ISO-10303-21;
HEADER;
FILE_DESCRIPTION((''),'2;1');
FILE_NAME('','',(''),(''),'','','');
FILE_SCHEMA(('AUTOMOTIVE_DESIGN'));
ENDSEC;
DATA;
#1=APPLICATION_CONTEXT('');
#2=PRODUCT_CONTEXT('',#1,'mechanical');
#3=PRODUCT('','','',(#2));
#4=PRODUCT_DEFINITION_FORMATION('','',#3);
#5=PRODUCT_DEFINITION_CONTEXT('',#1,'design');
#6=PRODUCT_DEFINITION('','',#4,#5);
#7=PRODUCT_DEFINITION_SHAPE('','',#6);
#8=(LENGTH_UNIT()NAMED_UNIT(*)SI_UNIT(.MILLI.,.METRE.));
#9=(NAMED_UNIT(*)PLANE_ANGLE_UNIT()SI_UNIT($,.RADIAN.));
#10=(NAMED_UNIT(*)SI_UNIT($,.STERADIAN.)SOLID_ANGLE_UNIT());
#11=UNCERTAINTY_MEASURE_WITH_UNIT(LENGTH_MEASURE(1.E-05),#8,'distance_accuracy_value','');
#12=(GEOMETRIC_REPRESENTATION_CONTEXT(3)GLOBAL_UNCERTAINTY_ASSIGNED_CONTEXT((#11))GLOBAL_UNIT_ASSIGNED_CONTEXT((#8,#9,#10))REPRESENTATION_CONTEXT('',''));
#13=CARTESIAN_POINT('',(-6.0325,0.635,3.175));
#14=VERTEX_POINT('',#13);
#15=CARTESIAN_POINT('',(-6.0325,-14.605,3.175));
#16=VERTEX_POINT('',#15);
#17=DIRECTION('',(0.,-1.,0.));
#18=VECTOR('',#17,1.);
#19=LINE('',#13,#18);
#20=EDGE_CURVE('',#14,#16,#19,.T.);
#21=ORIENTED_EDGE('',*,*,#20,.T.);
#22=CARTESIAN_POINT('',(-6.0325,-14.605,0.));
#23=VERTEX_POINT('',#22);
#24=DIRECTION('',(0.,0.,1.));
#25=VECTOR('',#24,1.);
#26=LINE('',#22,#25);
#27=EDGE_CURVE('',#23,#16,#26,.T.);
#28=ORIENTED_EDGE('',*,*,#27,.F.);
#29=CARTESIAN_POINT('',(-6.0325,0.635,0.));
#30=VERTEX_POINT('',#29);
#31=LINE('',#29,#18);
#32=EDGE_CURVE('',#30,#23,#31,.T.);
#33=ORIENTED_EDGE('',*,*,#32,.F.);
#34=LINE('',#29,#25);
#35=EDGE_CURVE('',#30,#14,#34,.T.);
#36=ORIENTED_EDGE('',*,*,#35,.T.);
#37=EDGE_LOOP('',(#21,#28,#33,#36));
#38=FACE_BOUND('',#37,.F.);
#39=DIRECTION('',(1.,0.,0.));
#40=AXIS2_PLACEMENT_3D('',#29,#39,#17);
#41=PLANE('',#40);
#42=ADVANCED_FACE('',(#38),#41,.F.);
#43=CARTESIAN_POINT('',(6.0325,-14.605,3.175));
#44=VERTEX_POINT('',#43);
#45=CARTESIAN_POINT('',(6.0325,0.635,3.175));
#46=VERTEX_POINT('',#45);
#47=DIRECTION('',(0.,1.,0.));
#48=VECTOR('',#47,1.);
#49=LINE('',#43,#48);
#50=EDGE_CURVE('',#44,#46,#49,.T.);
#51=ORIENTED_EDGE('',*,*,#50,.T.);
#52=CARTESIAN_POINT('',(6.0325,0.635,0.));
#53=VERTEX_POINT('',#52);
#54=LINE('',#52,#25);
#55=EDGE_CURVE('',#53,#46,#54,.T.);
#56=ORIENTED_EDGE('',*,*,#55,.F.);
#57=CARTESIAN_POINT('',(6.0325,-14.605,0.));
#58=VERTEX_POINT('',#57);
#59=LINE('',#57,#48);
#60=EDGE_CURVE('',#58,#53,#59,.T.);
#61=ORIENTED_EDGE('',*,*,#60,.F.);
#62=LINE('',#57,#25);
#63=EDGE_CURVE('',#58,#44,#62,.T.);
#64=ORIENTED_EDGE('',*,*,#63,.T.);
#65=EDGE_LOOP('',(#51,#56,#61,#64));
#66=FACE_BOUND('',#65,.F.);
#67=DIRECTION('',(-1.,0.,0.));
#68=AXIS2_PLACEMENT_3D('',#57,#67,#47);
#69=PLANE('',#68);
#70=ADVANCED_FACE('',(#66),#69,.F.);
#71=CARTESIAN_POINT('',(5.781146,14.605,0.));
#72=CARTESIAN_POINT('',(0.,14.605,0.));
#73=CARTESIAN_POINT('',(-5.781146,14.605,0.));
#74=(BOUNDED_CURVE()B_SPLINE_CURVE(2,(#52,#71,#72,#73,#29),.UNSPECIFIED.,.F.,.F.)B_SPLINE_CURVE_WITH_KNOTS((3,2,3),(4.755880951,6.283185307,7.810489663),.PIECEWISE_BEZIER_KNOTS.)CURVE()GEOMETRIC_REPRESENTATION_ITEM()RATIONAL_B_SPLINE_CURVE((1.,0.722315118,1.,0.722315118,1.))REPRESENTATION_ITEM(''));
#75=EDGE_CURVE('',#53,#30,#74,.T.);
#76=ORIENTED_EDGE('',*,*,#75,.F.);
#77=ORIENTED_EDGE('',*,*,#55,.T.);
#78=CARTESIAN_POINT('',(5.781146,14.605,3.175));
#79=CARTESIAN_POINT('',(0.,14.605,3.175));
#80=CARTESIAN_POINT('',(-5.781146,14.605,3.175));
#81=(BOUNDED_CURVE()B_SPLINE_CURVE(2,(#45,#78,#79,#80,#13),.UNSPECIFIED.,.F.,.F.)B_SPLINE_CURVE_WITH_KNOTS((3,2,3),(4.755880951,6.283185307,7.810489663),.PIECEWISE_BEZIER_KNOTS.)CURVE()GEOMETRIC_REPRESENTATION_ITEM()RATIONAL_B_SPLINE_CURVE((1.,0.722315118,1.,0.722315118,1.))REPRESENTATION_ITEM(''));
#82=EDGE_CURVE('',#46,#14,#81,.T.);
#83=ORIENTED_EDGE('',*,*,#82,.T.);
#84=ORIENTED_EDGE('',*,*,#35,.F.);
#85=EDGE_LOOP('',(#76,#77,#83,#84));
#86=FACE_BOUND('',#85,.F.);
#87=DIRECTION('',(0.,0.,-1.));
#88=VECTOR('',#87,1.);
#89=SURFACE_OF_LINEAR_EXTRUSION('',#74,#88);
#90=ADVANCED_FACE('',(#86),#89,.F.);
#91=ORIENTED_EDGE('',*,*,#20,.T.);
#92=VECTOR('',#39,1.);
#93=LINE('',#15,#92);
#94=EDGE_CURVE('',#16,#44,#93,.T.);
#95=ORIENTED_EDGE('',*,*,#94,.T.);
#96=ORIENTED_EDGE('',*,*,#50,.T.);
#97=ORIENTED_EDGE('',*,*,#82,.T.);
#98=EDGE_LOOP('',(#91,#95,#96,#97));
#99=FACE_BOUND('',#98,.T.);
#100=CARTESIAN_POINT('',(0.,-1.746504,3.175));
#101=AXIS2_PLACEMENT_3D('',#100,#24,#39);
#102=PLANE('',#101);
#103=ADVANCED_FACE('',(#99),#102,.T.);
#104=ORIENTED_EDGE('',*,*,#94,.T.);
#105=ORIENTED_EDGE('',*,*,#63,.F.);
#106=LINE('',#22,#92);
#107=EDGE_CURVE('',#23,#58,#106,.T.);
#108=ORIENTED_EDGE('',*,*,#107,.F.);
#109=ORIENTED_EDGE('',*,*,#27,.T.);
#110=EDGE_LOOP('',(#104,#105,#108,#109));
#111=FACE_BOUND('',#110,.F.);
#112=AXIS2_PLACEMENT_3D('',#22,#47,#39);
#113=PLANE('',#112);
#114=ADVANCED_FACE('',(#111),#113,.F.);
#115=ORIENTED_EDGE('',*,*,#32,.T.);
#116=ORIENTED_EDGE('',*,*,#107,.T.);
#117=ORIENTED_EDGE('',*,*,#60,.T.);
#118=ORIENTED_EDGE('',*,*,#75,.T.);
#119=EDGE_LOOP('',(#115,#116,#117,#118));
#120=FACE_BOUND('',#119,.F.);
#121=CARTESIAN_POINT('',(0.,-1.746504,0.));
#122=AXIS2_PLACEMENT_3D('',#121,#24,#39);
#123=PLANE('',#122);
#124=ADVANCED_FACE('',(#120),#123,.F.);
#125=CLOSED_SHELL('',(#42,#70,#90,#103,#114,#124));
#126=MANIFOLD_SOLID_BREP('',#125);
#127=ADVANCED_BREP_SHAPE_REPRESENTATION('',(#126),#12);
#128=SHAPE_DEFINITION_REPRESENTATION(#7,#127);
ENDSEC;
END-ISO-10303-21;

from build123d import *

# Parameters (mm, degrees)
F1_DEPTH = 3.175


with BuildPart() as f1:
    # F0 (on Top) → F1 (new body)
    with BuildSketch(Plane.XY):
        with BuildLine():
            Line((-6.0325, -14.605), (6.0325, -14.605))
            Line((6.0325, -14.605), (6.0325, -0.635))
            Line((6.0325, -0.635), (6.0325, 0.635))
            add(Edge.make_bspline(
                [(6.0325, 0.635), (5.7811458333, 14.605), (0, 14.605), (-5.7811458333, 14.605), (-6.0325, 0.635)],
                knots=[4.7558809512, 4.7558809512, 4.7558809512, 6.2831853072, 6.2831853072, 7.8104896632, 7.8104896632, 7.8104896632], degree=2, weights=[1, 0.7223151185, 1, 0.7223151185, 1]))
            Line((-6.0325, 0.635), (-6.0325, -0.635))
            Line((-6.0325, -0.635), (-6.0325, -14.605))
        make_face()
    extrude(amount=F1_DEPTH)


solid = f1.part
